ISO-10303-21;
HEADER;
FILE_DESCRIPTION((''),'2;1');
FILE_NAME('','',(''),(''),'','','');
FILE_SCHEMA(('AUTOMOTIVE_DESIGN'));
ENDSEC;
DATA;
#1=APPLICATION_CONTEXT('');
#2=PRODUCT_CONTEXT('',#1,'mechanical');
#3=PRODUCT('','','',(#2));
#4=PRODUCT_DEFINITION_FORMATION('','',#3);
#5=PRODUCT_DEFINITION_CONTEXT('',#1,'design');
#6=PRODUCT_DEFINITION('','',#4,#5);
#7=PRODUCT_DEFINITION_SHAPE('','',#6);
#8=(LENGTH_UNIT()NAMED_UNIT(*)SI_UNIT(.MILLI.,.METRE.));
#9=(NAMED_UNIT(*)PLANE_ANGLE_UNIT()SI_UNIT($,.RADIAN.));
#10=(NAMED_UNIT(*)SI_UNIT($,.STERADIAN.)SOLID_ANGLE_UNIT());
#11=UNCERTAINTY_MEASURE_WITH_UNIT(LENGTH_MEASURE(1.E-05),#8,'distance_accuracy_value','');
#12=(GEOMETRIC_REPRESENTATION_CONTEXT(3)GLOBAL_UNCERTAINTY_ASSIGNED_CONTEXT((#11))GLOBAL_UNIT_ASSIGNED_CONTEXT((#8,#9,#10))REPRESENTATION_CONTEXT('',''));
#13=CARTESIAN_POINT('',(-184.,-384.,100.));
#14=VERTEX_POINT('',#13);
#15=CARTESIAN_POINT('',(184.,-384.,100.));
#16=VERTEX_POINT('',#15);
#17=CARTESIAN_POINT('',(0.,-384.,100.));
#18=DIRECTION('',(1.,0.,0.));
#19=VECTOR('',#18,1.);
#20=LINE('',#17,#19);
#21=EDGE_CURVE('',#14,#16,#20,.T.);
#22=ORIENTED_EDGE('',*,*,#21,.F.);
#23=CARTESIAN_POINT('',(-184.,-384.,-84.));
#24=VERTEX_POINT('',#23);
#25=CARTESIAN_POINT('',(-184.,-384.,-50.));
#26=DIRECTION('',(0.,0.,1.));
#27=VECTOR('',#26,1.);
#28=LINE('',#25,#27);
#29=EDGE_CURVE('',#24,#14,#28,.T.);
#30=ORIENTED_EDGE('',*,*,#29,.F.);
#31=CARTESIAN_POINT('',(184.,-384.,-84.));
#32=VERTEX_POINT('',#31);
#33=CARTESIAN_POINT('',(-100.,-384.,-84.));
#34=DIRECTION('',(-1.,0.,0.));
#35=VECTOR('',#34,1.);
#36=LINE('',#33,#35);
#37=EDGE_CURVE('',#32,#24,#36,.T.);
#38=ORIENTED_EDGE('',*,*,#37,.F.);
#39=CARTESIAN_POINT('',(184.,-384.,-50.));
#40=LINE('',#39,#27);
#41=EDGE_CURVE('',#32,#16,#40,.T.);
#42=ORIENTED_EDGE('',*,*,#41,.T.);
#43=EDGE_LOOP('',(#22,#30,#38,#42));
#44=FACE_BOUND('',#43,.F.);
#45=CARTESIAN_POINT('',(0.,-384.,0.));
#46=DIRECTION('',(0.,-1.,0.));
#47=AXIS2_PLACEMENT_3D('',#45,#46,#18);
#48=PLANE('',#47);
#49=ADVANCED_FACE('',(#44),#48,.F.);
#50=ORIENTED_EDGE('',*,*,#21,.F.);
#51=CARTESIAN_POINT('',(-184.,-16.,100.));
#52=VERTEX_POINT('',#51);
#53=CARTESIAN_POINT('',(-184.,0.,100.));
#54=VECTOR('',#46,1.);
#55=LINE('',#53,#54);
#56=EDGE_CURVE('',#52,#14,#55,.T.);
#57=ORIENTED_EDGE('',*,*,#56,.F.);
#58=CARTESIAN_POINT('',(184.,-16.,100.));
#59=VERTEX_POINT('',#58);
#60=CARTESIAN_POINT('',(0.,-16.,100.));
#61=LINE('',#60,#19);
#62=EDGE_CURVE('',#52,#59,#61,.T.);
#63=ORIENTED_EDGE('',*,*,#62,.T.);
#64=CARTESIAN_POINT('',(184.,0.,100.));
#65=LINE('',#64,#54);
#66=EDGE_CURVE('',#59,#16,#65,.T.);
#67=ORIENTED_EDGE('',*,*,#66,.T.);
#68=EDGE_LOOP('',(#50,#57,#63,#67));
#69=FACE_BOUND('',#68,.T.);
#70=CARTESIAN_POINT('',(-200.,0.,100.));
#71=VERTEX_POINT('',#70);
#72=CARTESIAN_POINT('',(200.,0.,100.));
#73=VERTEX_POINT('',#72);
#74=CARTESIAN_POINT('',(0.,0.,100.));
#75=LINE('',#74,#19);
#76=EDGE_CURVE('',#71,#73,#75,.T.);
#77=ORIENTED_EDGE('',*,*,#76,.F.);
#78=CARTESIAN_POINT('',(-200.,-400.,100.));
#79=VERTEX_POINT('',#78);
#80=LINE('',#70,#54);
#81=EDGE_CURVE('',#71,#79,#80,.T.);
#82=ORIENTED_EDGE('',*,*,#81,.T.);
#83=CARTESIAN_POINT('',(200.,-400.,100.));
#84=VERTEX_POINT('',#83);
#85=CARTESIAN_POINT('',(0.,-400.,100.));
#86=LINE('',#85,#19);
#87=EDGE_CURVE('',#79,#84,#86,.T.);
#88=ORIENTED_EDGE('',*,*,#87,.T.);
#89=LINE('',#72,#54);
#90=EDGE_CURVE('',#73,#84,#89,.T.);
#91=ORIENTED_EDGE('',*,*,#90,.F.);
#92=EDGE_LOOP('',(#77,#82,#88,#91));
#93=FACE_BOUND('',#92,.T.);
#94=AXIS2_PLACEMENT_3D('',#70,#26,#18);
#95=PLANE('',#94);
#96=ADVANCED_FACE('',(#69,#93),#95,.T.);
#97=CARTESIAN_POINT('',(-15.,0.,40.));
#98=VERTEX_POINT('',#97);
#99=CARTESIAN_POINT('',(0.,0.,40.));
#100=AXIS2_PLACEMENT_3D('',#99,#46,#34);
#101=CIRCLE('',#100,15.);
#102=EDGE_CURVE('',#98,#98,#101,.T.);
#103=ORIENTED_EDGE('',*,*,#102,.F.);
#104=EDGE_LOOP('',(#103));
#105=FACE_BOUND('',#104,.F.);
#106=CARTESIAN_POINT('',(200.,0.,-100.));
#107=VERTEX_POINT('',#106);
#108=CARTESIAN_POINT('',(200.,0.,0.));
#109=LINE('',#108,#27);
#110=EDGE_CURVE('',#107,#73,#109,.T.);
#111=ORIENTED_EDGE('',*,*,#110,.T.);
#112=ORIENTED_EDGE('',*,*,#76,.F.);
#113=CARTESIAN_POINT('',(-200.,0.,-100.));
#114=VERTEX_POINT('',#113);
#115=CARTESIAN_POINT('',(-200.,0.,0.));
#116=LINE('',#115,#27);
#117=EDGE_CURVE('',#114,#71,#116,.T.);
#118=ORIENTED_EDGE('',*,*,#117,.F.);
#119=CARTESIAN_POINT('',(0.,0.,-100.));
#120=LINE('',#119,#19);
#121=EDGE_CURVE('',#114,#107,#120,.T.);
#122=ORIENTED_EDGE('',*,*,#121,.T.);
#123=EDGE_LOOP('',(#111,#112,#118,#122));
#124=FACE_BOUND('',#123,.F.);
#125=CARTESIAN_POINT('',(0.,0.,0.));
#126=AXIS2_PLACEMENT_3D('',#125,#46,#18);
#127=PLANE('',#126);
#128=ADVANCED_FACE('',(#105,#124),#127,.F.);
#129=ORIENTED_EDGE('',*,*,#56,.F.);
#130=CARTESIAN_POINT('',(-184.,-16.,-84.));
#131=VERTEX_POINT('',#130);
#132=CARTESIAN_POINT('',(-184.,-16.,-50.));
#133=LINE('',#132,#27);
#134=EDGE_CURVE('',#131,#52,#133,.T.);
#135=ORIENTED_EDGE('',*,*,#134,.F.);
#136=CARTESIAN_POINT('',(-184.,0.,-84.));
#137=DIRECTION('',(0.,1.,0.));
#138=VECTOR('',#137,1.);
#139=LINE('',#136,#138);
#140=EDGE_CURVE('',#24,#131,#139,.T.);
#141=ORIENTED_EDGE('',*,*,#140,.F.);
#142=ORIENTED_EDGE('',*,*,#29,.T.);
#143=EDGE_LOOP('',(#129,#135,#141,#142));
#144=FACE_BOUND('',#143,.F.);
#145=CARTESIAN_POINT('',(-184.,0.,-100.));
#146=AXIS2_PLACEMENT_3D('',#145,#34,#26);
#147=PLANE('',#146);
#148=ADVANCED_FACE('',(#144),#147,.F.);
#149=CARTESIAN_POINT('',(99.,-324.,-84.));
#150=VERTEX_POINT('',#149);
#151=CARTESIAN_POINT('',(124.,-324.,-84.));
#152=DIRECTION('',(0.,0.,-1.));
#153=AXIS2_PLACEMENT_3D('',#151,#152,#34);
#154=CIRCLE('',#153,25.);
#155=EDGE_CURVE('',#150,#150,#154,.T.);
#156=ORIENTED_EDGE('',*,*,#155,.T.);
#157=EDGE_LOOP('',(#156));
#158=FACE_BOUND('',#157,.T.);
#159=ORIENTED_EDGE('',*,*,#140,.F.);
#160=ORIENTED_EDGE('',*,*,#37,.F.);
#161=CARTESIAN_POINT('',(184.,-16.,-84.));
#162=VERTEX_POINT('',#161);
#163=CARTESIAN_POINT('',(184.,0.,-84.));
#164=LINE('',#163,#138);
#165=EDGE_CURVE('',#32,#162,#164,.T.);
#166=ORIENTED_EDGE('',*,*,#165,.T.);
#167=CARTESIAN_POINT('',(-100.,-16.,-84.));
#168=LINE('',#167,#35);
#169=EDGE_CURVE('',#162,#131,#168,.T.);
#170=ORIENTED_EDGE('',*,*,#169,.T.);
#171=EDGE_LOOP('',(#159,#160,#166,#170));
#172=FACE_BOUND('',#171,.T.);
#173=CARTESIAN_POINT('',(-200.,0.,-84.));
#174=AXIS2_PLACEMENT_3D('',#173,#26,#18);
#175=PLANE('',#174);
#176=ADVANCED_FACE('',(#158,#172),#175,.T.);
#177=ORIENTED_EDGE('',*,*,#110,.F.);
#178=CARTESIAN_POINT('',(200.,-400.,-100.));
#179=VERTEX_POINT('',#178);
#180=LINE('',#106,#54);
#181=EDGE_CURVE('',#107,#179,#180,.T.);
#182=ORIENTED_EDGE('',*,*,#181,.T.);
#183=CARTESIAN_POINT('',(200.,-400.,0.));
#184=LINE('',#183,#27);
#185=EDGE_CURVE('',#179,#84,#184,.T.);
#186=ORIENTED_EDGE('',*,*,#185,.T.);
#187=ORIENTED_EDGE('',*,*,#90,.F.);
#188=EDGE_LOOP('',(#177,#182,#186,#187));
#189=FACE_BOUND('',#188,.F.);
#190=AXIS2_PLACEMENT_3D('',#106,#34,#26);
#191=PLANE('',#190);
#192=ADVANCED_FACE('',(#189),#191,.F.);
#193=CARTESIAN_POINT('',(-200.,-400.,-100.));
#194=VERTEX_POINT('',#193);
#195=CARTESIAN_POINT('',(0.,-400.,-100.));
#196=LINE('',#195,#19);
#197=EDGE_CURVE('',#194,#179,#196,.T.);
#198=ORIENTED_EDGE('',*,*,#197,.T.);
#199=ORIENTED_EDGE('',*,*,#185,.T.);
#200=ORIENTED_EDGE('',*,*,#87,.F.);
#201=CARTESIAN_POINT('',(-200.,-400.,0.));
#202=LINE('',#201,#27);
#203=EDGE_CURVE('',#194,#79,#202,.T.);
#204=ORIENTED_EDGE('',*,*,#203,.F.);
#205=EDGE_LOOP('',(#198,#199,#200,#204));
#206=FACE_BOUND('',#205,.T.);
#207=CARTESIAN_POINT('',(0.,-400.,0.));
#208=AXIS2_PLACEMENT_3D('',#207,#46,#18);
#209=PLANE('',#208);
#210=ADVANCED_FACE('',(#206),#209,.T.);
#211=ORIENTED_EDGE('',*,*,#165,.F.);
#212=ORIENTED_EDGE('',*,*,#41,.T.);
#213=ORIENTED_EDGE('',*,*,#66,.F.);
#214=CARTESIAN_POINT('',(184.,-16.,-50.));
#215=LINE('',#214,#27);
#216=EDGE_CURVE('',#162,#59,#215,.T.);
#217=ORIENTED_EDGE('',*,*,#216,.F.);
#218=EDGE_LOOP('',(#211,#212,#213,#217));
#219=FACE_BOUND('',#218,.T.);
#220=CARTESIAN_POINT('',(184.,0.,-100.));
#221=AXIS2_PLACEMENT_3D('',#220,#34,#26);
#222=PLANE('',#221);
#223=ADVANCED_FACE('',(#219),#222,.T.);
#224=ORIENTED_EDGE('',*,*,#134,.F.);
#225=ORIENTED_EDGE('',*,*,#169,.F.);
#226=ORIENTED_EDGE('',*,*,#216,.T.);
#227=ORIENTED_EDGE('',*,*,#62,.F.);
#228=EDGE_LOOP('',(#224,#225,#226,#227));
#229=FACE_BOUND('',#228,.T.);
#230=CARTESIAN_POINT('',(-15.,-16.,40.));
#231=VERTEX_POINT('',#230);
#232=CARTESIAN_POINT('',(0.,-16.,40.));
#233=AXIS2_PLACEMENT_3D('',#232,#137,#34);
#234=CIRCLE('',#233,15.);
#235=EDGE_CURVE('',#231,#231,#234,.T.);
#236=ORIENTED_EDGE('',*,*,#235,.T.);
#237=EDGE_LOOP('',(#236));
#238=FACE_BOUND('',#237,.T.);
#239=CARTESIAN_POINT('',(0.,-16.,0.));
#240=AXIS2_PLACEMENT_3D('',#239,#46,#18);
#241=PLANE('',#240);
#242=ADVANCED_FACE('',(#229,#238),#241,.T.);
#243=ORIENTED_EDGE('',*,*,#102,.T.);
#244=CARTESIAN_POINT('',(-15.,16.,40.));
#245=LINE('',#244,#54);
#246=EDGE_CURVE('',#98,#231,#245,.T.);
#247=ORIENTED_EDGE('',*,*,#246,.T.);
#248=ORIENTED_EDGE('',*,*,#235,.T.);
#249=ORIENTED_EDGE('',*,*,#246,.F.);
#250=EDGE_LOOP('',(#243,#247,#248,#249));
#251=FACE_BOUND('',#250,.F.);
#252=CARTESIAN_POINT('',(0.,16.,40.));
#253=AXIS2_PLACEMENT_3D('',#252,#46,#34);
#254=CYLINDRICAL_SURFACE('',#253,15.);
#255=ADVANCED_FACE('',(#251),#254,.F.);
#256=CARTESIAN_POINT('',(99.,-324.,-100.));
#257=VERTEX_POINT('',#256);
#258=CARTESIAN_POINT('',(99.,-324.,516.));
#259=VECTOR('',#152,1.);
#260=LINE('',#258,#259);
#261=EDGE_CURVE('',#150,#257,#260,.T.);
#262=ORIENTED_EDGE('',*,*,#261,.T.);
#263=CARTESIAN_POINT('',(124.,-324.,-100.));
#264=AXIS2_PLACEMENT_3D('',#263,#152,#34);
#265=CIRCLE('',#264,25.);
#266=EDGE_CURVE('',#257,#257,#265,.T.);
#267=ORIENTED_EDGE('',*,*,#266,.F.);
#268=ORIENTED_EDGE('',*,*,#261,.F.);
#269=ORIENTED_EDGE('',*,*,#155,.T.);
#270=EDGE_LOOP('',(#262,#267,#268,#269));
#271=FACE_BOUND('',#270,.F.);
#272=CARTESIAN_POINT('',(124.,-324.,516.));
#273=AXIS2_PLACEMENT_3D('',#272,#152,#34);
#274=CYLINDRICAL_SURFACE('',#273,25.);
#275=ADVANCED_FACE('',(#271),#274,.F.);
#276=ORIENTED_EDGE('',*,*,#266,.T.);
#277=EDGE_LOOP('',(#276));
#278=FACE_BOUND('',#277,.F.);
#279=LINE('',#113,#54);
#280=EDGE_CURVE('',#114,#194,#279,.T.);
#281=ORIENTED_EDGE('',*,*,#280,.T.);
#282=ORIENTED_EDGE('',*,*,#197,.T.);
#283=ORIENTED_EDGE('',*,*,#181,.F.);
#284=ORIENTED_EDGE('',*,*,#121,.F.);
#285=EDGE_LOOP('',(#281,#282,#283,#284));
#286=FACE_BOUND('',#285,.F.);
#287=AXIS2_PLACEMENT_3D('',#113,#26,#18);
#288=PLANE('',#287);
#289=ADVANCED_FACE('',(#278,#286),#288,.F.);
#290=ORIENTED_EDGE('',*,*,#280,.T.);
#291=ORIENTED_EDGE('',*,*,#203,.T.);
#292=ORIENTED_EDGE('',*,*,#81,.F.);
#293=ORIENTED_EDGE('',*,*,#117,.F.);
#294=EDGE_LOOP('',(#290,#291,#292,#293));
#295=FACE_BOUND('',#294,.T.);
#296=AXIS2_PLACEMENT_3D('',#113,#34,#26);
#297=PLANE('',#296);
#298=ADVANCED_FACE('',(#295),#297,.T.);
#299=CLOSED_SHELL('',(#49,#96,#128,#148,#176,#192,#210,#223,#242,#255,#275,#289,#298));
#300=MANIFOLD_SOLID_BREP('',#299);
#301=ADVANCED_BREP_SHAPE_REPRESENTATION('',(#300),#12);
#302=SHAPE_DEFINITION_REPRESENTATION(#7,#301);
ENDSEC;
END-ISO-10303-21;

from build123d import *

# Parameters (mm, degrees)
F0_W     = 400
F0_H     = 200
F1_DEPTH = 400
F2_T     = -16
F3_D     = 30
F3_DEPTH = 16
F3_TIP   = 9.0129092854
F5_D     = 50


with BuildPart() as f1:
    # F0 (on Front) → F1 (new body)
    with BuildSketch(Plane.XZ):
        Rectangle(F0_W, F0_H)
    extrude(amount=F1_DEPTH)

    # F2
    f2_openings = [f1.faces().sort_by_distance(p)[0] for p in [
        (0, -200, 100),
    ]]
    offset(amount=F2_T, openings=f2_openings)

    # F3
    with Locations(Plane(origin=(0, 0, 0), x_dir=(1, 0, 0), z_dir=(0, 1, 0))):
        with Locations((0, -40)):
            Hole(F3_D / 2, depth=F3_DEPTH)
            with Locations((0, 0, -(F3_DEPTH + F3_TIP / 2))):  # 118° drill point
                Cone(0, F3_D / 2, F3_TIP, mode=Mode.SUBTRACT)

    # F5 (through all)
    with Locations(Plane.XY.offset(-84)):
        with Locations((124, -324)):
            Hole(F5_D / 2)


solid = f1.part
